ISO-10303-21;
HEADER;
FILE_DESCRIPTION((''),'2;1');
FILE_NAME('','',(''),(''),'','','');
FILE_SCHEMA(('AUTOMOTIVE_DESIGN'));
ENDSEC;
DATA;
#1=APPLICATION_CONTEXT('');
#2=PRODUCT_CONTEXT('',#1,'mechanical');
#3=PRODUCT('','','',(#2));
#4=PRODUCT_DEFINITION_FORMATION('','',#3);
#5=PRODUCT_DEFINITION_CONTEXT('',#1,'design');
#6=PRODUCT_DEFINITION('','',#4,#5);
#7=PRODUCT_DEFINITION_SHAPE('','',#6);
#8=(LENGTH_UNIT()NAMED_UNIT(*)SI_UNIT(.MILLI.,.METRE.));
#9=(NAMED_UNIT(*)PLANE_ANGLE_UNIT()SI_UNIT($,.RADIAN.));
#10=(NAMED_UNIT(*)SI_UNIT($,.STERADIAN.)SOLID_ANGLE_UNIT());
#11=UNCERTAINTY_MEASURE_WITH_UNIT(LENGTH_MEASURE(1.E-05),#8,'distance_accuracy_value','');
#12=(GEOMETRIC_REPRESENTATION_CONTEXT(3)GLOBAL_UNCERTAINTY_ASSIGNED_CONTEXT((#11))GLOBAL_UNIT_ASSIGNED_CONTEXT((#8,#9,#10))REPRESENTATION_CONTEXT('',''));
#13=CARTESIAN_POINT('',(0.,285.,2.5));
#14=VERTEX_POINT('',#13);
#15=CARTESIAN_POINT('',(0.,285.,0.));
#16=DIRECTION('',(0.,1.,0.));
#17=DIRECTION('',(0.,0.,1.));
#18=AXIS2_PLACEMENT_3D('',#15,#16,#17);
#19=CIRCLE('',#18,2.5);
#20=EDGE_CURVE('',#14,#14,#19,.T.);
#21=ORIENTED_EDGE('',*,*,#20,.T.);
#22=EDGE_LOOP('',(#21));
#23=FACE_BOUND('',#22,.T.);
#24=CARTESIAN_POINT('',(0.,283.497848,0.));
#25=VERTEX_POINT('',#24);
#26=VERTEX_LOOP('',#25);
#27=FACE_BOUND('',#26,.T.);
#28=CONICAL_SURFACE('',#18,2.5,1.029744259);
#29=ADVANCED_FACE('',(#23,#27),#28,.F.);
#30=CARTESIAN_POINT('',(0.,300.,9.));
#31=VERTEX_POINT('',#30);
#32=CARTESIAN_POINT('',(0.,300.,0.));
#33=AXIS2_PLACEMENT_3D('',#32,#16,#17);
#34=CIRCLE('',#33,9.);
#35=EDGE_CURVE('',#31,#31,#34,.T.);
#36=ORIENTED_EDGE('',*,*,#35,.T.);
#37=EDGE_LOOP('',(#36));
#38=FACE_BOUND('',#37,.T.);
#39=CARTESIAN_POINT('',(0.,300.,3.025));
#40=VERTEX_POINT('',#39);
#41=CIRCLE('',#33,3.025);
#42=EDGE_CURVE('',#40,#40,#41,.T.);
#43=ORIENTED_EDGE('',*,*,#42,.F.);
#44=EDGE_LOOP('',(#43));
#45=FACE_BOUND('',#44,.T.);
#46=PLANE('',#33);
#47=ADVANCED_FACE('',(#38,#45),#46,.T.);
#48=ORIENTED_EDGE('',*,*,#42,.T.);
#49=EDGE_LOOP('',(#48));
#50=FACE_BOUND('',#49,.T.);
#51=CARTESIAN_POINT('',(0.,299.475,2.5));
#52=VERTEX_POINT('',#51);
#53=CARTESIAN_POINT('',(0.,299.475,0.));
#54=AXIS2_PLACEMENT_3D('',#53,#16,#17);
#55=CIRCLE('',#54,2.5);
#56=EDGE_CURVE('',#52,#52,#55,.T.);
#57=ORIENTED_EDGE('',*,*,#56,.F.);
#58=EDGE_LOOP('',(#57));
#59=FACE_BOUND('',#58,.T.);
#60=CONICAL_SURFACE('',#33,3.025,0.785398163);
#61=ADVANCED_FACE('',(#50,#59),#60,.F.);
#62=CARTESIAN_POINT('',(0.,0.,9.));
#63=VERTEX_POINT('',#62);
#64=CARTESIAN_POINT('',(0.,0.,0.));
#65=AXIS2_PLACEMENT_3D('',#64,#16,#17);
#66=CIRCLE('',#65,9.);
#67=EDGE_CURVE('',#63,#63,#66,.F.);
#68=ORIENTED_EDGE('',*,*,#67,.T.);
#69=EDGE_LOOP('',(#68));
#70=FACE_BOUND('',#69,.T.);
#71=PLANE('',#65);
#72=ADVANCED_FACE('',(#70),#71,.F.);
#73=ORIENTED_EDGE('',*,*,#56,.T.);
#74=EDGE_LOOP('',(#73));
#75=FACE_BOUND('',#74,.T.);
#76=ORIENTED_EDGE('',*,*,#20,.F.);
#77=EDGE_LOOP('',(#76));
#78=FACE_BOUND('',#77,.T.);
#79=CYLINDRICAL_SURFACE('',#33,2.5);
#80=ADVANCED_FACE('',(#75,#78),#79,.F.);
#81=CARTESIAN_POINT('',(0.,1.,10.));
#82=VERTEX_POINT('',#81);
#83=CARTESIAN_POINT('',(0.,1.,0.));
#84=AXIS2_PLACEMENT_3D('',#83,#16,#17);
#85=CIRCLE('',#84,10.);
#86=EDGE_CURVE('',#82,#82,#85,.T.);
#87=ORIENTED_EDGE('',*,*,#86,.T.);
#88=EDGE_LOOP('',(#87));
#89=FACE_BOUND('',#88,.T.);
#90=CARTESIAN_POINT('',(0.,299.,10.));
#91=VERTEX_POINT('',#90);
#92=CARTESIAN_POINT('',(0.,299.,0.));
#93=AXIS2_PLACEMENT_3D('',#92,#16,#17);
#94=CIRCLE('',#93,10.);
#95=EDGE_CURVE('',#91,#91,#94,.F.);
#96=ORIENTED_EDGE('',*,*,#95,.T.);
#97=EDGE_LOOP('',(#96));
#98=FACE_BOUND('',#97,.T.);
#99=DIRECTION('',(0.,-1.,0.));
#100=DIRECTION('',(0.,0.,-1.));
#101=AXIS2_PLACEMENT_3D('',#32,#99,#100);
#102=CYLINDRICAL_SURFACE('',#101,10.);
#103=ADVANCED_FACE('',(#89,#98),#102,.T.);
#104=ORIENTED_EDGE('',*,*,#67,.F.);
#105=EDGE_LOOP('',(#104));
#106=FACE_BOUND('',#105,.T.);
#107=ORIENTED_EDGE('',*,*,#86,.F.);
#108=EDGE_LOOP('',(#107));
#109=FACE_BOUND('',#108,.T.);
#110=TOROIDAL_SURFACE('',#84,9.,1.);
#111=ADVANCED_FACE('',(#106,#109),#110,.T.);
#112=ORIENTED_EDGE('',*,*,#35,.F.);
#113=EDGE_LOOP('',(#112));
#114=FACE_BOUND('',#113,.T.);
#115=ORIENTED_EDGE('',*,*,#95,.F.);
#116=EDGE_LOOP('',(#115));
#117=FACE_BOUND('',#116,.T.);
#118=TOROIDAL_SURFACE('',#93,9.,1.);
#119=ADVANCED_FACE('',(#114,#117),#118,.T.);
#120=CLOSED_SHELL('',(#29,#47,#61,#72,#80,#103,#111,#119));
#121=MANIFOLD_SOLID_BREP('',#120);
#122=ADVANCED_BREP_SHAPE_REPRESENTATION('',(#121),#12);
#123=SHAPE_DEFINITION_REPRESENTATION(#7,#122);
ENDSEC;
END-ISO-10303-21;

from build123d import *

# Parameters (mm, degrees)
SKETCH_1_R           = 10
EXTRUDE_1_DEPTH      = 300
M6X1_0_2_D           = 5
M6X1_0_2_DEPTH       = 15
M6X1_0_2_CSINK_D     = 6.05
M6X1_0_2_CSINK_ANGLE = 90
M6X1_0_2_TIP         = 1.502151548
FILLET_1_R           = 1
FILLET_2_R           = 1


with BuildPart() as part:
    # 草图1 → 凸台-拉伸1 (new body)
    with BuildSketch(Plane(origin=(0, 0, 0), x_dir=(1, 0, 0), z_dir=(0, 1, 0))):
        with Locations(Location((0, 0, 0), (0, 0, 270))):
            Circle(SKETCH_1_R)
    extrude(amount=EXTRUDE_1_DEPTH)

    # M6x1.0 螺纹孔2
    with Locations(Plane(origin=(0, 300, 0), x_dir=(1, 0, 0), z_dir=(0, 1, 0))):
        with Locations((0, 0)):
            CounterSinkHole(M6X1_0_2_D / 2, M6X1_0_2_CSINK_D / 2, depth=M6X1_0_2_DEPTH, counter_sink_angle=M6X1_0_2_CSINK_ANGLE)
            with Locations((0, 0, -(M6X1_0_2_DEPTH + M6X1_0_2_TIP / 2))):  # 118° drill point
                Cone(0, M6X1_0_2_D / 2, M6X1_0_2_TIP, mode=Mode.SUBTRACT)

    # 圆角1
    fillet_1_edges = [part.edges().sort_by_distance(p)[0] for p in [
        (0, 300, -10),
    ]]
    fillet(fillet_1_edges, radius=FILLET_1_R)

    # 圆角2
    fillet_2_edges = [part.edges().sort_by_distance(p)[0] for p in [
        (0, 0, -10),
    ]]
    fillet(fillet_2_edges, radius=FILLET_2_R)


solid = part.part
